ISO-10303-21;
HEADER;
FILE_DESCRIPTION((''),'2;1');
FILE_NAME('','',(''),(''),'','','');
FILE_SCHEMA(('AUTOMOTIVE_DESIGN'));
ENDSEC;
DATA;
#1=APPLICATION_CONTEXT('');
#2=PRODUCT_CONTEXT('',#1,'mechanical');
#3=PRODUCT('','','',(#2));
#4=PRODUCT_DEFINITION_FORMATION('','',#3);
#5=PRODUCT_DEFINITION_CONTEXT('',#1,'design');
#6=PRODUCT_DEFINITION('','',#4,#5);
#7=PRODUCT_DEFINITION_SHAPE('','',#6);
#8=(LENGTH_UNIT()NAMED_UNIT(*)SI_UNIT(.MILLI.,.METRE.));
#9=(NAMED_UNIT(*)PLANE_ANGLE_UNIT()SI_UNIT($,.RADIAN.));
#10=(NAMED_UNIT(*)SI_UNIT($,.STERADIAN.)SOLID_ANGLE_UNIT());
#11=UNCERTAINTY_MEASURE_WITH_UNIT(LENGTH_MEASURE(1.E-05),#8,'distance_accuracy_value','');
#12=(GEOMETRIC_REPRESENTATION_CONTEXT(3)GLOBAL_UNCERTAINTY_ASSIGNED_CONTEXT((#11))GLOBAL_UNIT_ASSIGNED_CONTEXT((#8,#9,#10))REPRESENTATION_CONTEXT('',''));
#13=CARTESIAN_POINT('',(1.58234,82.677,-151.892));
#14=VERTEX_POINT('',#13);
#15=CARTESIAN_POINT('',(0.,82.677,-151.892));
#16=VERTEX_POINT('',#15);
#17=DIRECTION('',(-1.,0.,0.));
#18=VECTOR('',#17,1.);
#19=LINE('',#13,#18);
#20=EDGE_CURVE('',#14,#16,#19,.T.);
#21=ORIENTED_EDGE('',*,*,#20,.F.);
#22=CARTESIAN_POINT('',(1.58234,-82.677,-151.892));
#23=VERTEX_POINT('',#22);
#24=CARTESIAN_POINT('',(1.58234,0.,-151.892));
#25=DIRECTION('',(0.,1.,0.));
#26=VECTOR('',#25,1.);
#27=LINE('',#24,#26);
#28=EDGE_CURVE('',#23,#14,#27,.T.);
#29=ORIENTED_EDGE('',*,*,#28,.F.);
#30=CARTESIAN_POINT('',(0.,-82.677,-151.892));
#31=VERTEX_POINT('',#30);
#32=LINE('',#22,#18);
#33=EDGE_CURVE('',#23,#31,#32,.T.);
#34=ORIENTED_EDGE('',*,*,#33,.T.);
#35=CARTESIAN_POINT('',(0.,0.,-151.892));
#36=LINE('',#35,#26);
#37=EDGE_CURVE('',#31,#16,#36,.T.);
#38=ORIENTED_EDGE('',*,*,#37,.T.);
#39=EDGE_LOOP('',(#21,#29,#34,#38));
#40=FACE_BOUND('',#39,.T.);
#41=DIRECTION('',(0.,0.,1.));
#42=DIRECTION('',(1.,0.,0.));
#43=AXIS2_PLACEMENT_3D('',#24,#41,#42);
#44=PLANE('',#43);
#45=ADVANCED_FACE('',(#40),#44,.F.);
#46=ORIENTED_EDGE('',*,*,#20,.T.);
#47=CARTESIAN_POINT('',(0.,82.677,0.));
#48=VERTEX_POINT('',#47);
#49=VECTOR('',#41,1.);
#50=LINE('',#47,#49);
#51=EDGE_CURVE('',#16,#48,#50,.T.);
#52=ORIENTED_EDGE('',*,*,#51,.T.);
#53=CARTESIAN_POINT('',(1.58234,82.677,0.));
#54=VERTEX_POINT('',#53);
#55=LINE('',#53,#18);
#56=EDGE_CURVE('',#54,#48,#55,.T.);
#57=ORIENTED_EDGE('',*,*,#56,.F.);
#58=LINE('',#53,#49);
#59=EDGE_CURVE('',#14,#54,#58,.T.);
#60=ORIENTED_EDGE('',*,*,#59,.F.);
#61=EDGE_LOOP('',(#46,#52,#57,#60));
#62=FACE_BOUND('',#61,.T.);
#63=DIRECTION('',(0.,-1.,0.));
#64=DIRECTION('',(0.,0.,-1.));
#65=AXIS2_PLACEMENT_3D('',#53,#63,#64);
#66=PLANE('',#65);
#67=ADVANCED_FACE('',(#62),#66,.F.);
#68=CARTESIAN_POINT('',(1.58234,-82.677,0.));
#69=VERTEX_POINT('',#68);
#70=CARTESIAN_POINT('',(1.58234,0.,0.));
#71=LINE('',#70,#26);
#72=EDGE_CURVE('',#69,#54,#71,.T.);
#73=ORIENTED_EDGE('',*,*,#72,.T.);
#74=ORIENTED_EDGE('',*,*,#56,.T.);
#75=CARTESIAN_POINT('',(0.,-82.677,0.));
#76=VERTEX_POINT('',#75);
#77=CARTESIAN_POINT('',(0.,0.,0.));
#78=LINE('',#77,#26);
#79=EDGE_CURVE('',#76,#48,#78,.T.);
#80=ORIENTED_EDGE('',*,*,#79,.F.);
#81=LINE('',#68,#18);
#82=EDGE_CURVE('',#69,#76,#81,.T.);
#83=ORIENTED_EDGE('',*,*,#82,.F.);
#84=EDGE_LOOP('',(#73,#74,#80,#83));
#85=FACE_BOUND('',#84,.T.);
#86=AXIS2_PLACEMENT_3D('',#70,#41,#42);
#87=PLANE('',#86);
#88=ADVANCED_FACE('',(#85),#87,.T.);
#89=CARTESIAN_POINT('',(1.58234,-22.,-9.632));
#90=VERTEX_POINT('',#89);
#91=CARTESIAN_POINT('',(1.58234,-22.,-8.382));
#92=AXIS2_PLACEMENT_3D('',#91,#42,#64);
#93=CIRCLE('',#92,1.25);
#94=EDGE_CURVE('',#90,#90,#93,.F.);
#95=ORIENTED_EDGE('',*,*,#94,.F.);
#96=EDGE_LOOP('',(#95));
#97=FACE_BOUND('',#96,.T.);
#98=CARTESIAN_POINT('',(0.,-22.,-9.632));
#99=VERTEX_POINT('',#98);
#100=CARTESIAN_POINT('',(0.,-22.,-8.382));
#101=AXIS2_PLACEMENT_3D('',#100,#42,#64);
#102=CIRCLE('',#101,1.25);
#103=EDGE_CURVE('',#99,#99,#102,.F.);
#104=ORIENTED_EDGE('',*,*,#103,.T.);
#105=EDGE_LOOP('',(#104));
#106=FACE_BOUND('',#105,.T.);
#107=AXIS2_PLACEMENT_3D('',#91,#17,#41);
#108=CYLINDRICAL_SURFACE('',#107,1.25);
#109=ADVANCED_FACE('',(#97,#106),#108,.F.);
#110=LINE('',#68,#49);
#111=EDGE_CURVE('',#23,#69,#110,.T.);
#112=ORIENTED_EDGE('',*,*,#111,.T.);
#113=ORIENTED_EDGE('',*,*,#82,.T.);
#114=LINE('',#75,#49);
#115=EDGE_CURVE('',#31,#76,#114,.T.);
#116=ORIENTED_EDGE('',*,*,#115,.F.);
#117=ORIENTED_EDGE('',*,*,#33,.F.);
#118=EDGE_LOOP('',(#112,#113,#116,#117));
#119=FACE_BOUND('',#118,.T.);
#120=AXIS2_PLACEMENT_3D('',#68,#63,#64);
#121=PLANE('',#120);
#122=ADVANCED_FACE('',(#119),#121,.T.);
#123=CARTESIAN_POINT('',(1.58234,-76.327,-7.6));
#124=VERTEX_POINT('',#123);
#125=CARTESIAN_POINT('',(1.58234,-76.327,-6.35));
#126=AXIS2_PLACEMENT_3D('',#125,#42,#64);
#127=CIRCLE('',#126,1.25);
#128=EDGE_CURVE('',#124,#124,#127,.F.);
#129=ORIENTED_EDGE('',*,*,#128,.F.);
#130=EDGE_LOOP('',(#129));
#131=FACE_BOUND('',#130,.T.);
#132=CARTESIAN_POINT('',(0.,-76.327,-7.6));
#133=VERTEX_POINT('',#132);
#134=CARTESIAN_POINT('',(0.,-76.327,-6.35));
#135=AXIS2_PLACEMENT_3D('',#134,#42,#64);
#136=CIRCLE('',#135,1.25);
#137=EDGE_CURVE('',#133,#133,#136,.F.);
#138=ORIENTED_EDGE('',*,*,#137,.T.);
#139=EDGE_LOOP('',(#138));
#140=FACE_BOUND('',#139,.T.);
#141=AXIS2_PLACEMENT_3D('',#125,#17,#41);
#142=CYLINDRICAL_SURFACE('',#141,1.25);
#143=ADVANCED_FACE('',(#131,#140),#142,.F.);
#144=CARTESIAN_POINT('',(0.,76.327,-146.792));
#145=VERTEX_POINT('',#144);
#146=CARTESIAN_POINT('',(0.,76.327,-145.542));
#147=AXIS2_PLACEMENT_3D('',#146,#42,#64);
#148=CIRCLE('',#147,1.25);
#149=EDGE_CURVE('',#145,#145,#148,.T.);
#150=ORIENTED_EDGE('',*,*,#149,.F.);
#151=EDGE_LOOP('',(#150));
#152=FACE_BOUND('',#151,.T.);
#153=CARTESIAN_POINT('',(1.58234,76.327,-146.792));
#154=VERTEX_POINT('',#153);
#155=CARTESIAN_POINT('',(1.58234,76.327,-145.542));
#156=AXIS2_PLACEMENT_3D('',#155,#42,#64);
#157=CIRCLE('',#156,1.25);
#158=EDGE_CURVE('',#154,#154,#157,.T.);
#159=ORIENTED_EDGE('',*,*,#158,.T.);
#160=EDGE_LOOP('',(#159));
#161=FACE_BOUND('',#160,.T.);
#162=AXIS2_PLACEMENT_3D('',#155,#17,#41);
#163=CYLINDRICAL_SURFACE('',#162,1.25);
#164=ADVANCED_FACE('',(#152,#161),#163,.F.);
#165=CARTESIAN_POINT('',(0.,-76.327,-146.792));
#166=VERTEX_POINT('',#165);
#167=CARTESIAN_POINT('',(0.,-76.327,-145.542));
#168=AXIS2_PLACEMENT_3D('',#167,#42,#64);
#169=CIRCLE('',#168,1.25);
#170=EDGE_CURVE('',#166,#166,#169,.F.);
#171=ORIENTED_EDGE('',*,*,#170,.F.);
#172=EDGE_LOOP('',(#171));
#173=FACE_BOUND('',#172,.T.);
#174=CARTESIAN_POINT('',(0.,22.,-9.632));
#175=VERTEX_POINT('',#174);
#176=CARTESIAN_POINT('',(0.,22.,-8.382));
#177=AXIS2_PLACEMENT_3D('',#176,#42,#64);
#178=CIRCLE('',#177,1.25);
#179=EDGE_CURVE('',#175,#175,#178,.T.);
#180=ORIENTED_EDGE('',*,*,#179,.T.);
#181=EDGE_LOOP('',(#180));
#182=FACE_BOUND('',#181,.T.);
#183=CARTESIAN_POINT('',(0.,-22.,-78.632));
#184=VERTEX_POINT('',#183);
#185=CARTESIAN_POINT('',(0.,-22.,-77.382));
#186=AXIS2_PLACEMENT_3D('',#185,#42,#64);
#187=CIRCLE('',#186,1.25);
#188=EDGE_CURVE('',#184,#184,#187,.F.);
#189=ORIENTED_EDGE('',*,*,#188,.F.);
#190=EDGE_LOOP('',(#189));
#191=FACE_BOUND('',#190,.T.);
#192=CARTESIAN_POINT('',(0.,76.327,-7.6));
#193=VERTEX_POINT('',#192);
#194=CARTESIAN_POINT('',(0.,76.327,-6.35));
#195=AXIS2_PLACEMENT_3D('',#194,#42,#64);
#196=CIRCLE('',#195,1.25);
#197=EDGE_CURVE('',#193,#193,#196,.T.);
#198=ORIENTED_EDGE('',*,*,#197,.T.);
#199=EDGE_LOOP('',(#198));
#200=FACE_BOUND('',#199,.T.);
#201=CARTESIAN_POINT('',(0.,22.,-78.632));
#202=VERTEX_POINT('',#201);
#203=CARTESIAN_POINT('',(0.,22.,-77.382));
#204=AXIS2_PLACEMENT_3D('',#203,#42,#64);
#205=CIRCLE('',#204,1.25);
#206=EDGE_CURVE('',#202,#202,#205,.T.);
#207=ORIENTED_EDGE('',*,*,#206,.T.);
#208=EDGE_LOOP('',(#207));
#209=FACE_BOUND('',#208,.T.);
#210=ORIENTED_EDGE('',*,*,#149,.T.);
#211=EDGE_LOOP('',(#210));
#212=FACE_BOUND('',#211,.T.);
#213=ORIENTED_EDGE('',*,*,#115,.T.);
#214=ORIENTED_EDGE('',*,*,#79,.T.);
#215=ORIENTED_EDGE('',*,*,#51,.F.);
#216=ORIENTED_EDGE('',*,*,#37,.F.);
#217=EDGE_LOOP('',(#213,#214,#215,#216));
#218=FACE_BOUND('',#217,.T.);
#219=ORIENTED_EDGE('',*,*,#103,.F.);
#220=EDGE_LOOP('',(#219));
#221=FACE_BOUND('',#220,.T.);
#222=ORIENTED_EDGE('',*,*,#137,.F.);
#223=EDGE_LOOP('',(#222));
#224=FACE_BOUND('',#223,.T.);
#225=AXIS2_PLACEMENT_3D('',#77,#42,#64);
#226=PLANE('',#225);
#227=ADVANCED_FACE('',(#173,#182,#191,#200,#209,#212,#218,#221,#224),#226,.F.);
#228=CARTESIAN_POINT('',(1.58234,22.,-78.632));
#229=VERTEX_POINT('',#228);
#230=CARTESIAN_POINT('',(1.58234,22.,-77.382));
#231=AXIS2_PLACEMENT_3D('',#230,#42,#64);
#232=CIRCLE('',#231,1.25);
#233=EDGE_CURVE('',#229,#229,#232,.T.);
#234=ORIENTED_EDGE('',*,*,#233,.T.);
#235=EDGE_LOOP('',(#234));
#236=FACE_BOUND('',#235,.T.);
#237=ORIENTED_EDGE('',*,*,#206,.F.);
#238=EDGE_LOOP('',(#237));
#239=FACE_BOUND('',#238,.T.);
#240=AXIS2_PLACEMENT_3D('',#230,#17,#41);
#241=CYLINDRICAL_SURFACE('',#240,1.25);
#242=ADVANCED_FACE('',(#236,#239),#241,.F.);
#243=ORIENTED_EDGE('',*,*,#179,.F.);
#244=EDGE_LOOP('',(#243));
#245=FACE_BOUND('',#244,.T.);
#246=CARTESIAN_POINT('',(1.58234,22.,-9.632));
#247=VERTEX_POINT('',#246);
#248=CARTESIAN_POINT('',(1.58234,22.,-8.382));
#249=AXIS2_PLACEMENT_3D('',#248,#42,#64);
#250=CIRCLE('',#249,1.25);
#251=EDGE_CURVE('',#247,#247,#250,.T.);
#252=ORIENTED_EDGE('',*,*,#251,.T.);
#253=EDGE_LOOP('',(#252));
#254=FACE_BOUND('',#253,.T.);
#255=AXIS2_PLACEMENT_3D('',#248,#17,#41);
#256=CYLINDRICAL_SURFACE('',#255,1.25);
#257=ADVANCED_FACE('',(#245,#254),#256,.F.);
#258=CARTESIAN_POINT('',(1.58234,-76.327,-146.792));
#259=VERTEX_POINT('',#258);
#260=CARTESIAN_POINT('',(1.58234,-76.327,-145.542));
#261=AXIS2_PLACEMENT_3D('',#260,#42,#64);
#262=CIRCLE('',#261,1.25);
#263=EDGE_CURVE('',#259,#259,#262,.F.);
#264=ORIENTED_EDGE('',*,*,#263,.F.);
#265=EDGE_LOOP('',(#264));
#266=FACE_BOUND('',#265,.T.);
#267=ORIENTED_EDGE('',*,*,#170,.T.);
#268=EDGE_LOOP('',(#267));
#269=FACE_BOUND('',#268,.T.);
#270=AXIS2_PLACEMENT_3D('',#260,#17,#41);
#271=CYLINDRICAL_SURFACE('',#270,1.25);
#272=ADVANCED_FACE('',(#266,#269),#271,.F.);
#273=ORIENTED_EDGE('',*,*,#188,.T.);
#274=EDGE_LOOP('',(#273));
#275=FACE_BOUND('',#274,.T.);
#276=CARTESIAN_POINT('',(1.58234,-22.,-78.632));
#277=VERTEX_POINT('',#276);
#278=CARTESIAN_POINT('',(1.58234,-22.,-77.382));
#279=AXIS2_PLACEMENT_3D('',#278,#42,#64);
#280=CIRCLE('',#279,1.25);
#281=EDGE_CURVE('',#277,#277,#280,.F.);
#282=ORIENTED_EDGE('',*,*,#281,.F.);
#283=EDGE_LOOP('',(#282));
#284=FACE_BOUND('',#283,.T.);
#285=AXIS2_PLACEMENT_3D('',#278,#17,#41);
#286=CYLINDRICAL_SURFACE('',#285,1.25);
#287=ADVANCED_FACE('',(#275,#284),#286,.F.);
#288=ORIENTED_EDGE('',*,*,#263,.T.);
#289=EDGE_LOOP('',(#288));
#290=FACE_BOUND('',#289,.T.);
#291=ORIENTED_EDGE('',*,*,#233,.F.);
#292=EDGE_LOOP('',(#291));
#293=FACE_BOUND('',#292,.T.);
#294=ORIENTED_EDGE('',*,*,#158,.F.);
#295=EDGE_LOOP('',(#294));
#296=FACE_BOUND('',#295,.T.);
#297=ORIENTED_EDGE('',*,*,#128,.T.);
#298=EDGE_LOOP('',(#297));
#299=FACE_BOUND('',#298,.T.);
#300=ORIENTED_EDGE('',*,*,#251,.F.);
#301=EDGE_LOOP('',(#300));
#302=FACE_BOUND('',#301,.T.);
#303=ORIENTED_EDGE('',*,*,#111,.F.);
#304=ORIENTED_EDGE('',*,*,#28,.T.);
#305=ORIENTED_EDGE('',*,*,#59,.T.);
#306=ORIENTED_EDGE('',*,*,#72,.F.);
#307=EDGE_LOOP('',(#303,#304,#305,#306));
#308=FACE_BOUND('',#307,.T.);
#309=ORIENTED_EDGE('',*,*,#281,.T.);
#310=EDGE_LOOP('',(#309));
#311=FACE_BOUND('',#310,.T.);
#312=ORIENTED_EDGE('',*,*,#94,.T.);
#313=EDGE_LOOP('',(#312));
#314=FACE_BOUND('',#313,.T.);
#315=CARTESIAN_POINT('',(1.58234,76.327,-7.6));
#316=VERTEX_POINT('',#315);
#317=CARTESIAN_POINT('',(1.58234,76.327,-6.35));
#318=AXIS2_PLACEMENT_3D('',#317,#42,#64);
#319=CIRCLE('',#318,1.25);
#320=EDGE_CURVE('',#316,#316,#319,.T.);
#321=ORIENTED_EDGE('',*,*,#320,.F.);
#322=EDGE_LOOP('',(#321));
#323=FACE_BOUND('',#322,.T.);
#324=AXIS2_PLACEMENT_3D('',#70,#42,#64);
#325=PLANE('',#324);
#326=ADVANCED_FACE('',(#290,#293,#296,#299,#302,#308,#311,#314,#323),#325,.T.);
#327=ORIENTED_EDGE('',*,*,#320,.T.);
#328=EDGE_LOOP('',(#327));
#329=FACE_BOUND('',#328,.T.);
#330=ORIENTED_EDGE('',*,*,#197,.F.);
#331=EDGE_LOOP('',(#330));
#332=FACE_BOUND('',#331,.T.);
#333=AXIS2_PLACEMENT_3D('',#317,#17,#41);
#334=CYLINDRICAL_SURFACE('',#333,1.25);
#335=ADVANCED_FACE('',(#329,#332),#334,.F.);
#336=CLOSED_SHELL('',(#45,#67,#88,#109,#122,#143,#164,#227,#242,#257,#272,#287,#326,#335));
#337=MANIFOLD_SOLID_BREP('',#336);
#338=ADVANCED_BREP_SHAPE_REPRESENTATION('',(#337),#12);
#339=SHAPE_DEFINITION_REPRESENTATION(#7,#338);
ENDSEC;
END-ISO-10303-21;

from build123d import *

# Parameters (mm, degrees)
SKETCH1_W           = 82.677
SKETCH1_H           = 151.892
SKETCH1_R           = 1.25
BOSS_EXTRUDE1_DEPTH = 1.58234


with BuildPart() as part:
    # Sketch1 → Boss-Extrude1 (new body)
    # profile 1 of 2: a face of its own
    with BuildSketch(Plane.YZ):
        with Locations((-41.3385, -75.946)):
            Rectangle(SKETCH1_W, SKETCH1_H)
        with Locations(Location((-76.327, -145.542, 0), (0, 0, 270))):
            Circle(SKETCH1_R, mode=Mode.SUBTRACT)
        with Locations(Location((-22, -77.382, 0), (0, 0, 270))):
            Circle(SKETCH1_R, mode=Mode.SUBTRACT)
        with Locations(Location((-76.327, -6.35, 0), (0, 0, 270))):
            Circle(SKETCH1_R, mode=Mode.SUBTRACT)
        with Locations(Location((-22, -8.382, 0), (0, 0, 270))):
            Circle(SKETCH1_R, mode=Mode.SUBTRACT)
    # profile 2 of 2: a face of its own
    with BuildSketch(Plane.YZ):
        with Locations((41.3385, -75.946)):
            Rectangle(SKETCH1_W, SKETCH1_H)
        with Locations(Location((76.327, -145.542, 0), (0, 0, 270))):
            Circle(SKETCH1_R, mode=Mode.SUBTRACT)
        with Locations(Location((22, -77.382, 0), (0, 0, 270))):
            Circle(SKETCH1_R, mode=Mode.SUBTRACT)
        with Locations(Location((22, -8.382, 0), (0, 0, 270))):
            Circle(SKETCH1_R, mode=Mode.SUBTRACT)
        with Locations(Location((76.327, -6.35, 0), (0, 0, 270))):
            Circle(SKETCH1_R, mode=Mode.SUBTRACT)
    extrude(amount=BOSS_EXTRUDE1_DEPTH)


solid = part.part
